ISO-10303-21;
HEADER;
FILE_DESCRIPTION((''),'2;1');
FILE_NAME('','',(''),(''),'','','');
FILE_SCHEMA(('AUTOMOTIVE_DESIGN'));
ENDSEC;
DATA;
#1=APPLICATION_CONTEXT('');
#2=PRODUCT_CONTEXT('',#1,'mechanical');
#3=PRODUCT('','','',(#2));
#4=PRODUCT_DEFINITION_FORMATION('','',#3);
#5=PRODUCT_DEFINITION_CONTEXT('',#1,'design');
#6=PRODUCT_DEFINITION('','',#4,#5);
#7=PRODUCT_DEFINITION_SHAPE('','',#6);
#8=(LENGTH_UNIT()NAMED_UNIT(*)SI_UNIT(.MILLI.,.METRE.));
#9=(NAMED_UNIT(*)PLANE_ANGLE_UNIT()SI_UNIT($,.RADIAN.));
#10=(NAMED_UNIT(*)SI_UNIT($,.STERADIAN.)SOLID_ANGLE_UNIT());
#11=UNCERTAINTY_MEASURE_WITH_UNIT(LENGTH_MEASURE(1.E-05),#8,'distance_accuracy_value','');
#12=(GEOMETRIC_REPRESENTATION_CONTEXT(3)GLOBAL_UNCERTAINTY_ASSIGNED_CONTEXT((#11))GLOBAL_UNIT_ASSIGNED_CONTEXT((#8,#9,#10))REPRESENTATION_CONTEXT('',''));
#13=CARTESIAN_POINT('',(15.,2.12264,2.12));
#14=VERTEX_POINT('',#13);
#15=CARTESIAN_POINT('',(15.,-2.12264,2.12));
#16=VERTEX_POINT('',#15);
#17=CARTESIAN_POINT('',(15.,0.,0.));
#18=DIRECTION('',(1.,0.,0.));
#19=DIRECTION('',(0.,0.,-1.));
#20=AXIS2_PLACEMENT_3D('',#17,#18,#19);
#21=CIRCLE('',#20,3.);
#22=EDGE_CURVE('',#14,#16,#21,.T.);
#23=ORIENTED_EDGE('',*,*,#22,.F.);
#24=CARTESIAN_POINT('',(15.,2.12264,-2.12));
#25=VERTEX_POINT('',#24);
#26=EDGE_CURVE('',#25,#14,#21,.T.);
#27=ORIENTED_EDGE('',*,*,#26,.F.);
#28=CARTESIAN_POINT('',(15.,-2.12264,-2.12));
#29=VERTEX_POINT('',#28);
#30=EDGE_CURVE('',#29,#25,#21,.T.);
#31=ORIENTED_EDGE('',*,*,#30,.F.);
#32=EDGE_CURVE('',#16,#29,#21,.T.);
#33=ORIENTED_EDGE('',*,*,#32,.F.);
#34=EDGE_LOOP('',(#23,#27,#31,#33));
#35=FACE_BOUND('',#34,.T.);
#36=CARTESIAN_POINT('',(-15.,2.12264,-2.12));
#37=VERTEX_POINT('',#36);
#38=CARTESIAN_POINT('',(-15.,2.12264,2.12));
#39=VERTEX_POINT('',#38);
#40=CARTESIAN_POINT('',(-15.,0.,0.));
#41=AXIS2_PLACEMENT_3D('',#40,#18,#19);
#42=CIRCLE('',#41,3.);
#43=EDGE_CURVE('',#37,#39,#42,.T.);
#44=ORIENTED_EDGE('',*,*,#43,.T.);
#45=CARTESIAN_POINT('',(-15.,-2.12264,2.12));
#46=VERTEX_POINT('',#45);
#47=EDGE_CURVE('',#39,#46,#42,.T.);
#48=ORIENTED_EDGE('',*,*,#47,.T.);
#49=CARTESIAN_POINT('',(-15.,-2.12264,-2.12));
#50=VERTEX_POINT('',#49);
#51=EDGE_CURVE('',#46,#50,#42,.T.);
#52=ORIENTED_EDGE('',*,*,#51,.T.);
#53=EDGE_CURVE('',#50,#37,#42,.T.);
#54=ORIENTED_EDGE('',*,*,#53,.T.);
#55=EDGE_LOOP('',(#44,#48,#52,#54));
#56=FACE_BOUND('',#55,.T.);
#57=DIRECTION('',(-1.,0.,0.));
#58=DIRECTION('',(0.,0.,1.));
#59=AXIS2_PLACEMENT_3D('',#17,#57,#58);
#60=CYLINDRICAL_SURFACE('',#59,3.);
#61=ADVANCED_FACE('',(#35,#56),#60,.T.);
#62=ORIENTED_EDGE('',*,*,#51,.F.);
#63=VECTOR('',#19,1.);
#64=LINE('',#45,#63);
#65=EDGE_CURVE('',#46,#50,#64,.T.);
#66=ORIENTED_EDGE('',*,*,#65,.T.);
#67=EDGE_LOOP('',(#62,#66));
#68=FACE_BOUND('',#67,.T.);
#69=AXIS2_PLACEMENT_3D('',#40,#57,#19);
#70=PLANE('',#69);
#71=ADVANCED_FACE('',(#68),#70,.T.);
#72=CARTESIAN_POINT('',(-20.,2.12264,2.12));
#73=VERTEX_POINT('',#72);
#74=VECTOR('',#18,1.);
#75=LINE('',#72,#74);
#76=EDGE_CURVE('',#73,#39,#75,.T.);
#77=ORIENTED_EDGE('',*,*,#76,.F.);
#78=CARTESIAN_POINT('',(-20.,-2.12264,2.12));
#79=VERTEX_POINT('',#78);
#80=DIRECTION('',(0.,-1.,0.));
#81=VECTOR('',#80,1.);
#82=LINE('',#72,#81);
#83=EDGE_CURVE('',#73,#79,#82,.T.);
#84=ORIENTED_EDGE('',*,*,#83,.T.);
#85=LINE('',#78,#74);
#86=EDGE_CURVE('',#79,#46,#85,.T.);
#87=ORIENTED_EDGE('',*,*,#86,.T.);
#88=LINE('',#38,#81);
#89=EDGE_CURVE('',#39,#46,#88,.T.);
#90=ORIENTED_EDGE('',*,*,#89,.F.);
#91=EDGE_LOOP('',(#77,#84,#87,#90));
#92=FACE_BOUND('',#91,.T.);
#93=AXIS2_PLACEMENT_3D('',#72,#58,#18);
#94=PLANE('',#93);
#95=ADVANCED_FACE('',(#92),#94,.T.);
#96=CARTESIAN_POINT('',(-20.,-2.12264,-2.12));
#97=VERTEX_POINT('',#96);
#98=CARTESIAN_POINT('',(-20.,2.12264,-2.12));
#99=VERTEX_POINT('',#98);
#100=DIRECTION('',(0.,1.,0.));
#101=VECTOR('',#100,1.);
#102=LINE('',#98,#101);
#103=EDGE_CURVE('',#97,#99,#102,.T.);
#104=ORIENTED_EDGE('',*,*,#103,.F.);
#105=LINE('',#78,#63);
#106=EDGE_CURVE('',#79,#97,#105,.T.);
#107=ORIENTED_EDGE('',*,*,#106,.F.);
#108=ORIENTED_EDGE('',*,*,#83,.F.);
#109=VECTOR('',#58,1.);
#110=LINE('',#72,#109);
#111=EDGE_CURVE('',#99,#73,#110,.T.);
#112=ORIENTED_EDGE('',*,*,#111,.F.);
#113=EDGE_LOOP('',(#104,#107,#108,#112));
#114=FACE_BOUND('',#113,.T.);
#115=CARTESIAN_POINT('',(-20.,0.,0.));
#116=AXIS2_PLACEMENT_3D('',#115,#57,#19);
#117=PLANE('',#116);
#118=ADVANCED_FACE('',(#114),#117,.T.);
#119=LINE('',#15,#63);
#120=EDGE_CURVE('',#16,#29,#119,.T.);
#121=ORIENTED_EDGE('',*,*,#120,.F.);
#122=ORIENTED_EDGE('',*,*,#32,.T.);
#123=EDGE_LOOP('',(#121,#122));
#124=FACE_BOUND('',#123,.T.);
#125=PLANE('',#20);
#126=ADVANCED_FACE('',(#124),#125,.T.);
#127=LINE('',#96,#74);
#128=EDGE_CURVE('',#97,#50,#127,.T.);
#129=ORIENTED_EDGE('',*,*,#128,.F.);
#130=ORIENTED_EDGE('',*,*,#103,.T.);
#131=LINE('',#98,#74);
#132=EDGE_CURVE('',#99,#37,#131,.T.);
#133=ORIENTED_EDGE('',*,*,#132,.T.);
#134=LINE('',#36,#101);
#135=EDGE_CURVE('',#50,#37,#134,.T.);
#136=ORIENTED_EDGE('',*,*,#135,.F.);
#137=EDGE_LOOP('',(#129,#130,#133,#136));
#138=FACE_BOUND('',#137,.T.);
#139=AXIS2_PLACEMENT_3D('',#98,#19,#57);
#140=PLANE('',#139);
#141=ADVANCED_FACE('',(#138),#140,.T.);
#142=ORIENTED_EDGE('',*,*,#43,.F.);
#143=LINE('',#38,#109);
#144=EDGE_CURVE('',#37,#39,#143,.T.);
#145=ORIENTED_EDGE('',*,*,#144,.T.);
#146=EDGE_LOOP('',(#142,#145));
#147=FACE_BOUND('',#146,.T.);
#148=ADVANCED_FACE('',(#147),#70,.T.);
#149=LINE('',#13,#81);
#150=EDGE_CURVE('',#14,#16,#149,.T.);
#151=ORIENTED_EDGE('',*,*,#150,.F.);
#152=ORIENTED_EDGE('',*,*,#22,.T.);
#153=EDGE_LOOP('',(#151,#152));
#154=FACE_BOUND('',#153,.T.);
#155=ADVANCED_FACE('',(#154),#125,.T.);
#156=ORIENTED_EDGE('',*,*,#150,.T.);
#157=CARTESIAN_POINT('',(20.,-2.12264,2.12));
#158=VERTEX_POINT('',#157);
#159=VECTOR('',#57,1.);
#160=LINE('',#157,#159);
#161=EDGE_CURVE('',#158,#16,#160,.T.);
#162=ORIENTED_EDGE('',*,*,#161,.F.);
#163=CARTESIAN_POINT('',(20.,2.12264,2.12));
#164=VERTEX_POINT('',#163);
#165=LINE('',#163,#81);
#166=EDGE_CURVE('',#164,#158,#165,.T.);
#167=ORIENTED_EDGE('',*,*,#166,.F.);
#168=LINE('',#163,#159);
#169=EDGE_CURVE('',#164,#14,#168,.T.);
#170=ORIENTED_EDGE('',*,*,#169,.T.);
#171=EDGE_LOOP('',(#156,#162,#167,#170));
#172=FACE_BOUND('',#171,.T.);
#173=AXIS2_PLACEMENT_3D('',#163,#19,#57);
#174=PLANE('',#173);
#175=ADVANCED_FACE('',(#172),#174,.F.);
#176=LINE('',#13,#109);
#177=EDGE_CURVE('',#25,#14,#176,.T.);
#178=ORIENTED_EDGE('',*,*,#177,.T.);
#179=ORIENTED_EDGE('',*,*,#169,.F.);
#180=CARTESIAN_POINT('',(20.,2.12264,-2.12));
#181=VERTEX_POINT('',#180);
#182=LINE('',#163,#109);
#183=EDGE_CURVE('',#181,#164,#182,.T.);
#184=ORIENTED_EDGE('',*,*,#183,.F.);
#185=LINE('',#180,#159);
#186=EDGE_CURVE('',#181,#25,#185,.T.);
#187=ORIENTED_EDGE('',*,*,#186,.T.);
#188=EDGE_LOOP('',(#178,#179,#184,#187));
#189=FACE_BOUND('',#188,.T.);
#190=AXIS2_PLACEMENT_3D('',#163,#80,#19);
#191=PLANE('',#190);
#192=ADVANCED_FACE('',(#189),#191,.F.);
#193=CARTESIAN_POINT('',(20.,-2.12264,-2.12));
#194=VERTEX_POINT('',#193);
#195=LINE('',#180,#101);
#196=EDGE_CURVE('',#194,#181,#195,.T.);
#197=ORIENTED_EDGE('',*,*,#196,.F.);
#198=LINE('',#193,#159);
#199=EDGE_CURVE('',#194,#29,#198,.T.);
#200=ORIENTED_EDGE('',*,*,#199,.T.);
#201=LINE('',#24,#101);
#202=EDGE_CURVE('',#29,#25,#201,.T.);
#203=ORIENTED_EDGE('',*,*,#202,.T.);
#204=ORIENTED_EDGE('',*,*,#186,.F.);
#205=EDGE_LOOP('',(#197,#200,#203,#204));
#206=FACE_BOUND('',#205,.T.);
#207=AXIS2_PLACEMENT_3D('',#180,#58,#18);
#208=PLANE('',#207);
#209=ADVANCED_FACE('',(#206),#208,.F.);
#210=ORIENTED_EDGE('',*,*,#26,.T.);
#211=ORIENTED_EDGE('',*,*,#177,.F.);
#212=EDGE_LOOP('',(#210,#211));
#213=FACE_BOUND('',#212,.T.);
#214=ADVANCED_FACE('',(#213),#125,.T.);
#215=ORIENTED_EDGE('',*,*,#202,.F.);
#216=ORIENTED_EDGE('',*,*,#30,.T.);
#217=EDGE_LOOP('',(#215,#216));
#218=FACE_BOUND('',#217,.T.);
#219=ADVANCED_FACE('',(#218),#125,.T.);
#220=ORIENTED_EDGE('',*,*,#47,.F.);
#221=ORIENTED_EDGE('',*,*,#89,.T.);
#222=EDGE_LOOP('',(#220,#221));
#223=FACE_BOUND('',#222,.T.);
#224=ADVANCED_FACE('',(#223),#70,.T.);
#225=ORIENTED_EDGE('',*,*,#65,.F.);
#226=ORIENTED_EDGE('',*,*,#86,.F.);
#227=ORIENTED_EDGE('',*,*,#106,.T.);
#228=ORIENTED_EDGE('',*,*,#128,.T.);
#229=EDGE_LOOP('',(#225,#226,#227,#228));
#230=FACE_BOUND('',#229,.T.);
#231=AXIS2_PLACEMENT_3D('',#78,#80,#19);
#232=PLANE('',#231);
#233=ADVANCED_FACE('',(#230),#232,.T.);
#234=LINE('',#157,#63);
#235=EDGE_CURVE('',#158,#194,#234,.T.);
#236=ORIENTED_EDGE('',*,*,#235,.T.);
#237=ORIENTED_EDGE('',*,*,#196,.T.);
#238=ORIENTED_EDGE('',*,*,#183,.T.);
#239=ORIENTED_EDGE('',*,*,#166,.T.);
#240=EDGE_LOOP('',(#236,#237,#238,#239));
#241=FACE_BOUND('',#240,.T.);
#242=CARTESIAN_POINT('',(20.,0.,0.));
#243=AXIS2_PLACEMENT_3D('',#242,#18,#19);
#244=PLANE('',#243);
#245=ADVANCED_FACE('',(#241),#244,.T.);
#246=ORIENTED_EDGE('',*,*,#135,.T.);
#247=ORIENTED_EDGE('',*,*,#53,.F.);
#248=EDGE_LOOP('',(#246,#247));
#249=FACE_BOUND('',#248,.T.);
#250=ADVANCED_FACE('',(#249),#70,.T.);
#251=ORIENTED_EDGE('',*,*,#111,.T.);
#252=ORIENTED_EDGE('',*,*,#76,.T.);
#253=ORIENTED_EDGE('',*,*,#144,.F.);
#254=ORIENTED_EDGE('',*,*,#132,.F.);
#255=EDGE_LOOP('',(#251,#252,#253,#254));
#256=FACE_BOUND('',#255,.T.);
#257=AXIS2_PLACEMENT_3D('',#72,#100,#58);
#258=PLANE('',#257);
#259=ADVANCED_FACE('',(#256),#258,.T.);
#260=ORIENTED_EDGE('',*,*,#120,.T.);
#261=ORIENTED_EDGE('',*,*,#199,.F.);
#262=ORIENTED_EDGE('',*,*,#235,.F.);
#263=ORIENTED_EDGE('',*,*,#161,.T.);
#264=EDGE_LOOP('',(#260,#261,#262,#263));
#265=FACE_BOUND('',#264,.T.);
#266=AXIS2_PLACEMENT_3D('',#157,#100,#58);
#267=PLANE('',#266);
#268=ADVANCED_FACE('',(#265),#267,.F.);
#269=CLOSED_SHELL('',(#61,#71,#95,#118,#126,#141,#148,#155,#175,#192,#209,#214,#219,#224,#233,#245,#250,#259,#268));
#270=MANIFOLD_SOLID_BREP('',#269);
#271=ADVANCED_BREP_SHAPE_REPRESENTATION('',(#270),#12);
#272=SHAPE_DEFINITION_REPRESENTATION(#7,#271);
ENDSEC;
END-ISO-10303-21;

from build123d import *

# Parameters (mm, degrees)
SKETCH1_R           = 3
BOSS_EXTRUDE1_DEPTH = 15
SKETCH2_W           = 4.24
SKETCH2_H           = 4.245279732
BOSS_EXTRUDE2_DEPTH = 5


with BuildPart() as part:
    # Sketch1 → Boss-Extrude1 (new body)
    with BuildSketch(Plane(origin=(0, 0, 0), x_dir=(0, 0, -1), z_dir=(1, 0, 0))):
        Circle(SKETCH1_R)
    boss_extrude1 = extrude(amount=BOSS_EXTRUDE1_DEPTH)

    # Sketch2 → Boss-Extrude2 (add)
    with BuildSketch(Plane(origin=(15, 0, 0), x_dir=(0, 0, -1), z_dir=(1, 0, 0))):
        Rectangle(SKETCH2_W, SKETCH2_H)
    boss_extrude2 = extrude(amount=BOSS_EXTRUDE2_DEPTH)

    # Mirror1: Boss-Extrude1, Boss-Extrude2 across plane
    add(boss_extrude1.mirror(Plane(origin=(0, 0, 0), x_dir=(0, 0, 1), z_dir=(1, 0, 0))))
    add(boss_extrude2.mirror(Plane(origin=(0, 0, 0), x_dir=(0, 0, 1), z_dir=(1, 0, 0))))


solid = part.part
